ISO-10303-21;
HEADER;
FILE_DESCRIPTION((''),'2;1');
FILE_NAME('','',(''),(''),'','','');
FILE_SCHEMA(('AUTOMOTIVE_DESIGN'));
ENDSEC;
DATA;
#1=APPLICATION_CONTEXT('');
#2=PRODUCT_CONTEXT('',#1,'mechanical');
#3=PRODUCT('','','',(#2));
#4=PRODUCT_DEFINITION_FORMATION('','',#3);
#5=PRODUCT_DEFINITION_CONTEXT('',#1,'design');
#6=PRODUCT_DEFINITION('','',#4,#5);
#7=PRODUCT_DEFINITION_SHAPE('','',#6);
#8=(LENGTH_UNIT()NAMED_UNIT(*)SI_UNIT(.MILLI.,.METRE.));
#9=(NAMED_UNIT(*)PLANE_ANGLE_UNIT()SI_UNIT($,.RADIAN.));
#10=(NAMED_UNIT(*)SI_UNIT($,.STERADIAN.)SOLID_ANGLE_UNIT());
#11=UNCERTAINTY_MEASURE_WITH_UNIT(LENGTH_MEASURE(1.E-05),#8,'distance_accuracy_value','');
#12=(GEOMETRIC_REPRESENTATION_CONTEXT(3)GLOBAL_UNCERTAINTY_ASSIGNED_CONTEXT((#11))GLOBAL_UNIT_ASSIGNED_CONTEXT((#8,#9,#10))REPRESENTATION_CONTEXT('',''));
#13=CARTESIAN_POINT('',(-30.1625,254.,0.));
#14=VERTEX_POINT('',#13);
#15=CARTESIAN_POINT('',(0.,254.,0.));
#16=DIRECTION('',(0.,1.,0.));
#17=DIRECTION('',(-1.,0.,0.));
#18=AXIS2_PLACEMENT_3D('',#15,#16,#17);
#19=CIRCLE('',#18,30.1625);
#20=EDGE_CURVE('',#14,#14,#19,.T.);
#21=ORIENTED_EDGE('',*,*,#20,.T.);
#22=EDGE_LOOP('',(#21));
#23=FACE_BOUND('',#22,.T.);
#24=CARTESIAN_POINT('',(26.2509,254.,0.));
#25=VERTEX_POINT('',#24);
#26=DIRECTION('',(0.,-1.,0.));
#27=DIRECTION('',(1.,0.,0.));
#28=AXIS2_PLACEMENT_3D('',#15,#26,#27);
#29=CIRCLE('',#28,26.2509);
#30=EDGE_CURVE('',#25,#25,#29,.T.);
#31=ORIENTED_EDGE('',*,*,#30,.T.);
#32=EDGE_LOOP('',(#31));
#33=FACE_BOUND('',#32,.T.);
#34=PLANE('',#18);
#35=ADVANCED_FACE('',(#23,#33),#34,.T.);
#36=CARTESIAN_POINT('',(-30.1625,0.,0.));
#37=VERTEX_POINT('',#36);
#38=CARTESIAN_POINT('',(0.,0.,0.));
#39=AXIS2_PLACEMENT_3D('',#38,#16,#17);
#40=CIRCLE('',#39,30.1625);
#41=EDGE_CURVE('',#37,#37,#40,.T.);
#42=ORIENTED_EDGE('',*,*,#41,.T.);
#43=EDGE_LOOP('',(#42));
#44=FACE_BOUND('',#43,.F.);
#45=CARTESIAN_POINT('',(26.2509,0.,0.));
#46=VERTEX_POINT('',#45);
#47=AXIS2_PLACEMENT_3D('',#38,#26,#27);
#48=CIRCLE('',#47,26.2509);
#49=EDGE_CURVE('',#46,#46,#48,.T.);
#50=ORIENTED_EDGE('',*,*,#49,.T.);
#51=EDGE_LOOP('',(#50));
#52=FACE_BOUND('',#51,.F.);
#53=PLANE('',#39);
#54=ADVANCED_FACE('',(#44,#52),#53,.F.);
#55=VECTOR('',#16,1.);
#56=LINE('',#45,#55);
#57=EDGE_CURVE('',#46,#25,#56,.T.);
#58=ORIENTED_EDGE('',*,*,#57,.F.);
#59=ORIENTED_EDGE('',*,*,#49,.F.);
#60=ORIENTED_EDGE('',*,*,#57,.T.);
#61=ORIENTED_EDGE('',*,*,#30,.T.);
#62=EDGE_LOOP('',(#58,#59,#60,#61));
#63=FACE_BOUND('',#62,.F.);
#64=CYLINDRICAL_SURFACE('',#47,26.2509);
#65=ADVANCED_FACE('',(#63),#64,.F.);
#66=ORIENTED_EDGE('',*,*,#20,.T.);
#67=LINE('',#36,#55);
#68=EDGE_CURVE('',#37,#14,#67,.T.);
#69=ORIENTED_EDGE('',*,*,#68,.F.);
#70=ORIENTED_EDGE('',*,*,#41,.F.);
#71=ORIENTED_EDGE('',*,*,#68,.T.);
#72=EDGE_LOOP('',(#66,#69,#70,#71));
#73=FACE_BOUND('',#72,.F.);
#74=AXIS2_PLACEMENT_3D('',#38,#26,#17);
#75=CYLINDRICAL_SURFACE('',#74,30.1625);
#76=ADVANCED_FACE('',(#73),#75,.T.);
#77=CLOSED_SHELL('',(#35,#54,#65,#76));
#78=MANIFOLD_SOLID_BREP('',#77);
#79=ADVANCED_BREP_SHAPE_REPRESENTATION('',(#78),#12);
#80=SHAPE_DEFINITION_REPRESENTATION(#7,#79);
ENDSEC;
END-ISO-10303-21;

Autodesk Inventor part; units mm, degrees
ref_plane "YZ Plane" through (0, 0, 0) normal (1, 0, 0) x (0, 1, 0)
ref_plane "XZ Plane" through (0, 0, 0) normal (0, 1, 0) x (-1, 0, 0)
ref_plane "XY Plane" through (0, 0, 0) normal (0, 0, 1) x (1, 0, 0)
sketch "Sketch1" plane through (0, 0, 0) normal (0, 1, 0) x (-1, 0, 0)
  circle A0 centre (0, 0) radius 30.1625
  dimension "d0" = 60.325
extrude "Extrusion1" add sketch "Sketch1" along normal blind 254
sketch "Sketch2" plane through (0, 0, 0) normal (0, -1, 0) x (1, 0, 0)
  circle A0 centre (0, 0) radius 26.2509
  dimension "d3" = 52.5018
extrude "Extrusion2" cut sketch "Sketch2" against normal blind 254
